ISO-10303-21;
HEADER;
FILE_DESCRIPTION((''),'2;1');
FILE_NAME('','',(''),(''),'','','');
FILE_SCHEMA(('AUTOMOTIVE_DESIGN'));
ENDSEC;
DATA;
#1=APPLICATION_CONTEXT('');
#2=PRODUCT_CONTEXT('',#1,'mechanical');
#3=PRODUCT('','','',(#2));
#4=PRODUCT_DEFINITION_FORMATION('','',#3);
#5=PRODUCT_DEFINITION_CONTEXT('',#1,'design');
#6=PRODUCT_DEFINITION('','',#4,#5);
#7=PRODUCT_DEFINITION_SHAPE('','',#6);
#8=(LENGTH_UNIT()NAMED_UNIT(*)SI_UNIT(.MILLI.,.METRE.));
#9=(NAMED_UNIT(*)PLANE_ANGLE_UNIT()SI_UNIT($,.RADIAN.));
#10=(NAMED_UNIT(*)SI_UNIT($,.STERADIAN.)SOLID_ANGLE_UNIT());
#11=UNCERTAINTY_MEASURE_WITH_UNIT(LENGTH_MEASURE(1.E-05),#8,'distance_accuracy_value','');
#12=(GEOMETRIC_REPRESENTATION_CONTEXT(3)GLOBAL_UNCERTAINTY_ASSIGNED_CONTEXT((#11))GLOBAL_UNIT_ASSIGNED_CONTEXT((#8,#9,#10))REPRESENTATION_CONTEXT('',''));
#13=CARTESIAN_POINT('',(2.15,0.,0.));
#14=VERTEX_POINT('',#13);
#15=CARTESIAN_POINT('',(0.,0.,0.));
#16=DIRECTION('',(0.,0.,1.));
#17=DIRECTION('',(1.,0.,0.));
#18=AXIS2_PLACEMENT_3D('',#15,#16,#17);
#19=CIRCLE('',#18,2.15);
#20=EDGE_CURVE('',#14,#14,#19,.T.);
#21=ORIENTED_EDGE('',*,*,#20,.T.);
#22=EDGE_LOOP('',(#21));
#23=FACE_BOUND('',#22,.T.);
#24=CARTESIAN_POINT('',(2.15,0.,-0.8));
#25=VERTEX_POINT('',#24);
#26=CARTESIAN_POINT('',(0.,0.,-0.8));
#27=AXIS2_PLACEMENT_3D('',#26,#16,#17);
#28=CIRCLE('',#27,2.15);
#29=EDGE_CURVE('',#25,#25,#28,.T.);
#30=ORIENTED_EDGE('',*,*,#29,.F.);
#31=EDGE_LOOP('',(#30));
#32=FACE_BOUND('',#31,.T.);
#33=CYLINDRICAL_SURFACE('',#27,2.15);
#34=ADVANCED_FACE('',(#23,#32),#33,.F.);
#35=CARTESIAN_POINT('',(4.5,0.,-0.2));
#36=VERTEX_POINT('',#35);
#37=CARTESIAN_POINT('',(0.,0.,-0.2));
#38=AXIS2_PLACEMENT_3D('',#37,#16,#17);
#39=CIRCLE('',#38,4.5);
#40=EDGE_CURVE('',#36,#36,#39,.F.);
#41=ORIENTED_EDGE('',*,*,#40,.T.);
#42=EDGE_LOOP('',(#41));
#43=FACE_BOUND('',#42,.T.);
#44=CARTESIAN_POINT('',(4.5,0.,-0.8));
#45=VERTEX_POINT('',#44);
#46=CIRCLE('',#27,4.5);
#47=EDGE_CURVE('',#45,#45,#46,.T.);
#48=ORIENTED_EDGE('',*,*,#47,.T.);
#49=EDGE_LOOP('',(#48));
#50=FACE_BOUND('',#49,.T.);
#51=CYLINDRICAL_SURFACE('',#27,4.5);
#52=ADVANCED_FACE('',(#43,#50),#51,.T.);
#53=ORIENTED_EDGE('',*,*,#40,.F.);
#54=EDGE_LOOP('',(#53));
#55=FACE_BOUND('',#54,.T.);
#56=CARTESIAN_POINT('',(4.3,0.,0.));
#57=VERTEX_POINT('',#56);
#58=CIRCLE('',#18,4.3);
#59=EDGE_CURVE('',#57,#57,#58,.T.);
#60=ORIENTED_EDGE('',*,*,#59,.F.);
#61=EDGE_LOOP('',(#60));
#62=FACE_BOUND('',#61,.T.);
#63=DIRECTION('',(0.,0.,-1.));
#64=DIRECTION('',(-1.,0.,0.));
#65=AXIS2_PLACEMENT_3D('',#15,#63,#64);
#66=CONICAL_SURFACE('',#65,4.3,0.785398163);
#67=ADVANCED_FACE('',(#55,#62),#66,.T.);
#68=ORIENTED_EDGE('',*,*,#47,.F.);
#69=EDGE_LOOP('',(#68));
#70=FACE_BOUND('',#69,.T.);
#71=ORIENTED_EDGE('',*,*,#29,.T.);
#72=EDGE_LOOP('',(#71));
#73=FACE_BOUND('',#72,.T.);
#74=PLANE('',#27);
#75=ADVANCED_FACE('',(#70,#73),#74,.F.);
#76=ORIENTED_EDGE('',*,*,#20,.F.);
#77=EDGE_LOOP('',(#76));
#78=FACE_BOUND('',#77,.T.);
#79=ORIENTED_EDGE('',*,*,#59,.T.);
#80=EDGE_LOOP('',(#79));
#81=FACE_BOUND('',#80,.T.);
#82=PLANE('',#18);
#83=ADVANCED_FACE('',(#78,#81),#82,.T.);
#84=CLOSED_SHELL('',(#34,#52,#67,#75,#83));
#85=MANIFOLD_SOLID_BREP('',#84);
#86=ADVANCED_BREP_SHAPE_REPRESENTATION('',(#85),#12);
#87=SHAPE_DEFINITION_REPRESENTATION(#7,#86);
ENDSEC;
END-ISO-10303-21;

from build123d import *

# Parameters (mm, degrees)
SKETCH1_R          = 4.5
SKETCH1_R_2        = 2.15
BASE_EXTRUDE_DEPTH = 0.8
CHAMFER1_SIZE      = 0.2


with BuildPart() as part:
    # Sketch1 → Base-Extrude (new body)
    with BuildSketch(Plane.XY):
        Circle(SKETCH1_R)
        Circle(SKETCH1_R_2, mode=Mode.SUBTRACT)
    extrude(amount=-BASE_EXTRUDE_DEPTH)

    # Chamfer1
    chamfer1_edges = [part.edges().sort_by_distance(p)[0] for p in [
        (-4.5, 0, 0),
    ]]
    chamfer(chamfer1_edges, length=CHAMFER1_SIZE)


solid = part.part
